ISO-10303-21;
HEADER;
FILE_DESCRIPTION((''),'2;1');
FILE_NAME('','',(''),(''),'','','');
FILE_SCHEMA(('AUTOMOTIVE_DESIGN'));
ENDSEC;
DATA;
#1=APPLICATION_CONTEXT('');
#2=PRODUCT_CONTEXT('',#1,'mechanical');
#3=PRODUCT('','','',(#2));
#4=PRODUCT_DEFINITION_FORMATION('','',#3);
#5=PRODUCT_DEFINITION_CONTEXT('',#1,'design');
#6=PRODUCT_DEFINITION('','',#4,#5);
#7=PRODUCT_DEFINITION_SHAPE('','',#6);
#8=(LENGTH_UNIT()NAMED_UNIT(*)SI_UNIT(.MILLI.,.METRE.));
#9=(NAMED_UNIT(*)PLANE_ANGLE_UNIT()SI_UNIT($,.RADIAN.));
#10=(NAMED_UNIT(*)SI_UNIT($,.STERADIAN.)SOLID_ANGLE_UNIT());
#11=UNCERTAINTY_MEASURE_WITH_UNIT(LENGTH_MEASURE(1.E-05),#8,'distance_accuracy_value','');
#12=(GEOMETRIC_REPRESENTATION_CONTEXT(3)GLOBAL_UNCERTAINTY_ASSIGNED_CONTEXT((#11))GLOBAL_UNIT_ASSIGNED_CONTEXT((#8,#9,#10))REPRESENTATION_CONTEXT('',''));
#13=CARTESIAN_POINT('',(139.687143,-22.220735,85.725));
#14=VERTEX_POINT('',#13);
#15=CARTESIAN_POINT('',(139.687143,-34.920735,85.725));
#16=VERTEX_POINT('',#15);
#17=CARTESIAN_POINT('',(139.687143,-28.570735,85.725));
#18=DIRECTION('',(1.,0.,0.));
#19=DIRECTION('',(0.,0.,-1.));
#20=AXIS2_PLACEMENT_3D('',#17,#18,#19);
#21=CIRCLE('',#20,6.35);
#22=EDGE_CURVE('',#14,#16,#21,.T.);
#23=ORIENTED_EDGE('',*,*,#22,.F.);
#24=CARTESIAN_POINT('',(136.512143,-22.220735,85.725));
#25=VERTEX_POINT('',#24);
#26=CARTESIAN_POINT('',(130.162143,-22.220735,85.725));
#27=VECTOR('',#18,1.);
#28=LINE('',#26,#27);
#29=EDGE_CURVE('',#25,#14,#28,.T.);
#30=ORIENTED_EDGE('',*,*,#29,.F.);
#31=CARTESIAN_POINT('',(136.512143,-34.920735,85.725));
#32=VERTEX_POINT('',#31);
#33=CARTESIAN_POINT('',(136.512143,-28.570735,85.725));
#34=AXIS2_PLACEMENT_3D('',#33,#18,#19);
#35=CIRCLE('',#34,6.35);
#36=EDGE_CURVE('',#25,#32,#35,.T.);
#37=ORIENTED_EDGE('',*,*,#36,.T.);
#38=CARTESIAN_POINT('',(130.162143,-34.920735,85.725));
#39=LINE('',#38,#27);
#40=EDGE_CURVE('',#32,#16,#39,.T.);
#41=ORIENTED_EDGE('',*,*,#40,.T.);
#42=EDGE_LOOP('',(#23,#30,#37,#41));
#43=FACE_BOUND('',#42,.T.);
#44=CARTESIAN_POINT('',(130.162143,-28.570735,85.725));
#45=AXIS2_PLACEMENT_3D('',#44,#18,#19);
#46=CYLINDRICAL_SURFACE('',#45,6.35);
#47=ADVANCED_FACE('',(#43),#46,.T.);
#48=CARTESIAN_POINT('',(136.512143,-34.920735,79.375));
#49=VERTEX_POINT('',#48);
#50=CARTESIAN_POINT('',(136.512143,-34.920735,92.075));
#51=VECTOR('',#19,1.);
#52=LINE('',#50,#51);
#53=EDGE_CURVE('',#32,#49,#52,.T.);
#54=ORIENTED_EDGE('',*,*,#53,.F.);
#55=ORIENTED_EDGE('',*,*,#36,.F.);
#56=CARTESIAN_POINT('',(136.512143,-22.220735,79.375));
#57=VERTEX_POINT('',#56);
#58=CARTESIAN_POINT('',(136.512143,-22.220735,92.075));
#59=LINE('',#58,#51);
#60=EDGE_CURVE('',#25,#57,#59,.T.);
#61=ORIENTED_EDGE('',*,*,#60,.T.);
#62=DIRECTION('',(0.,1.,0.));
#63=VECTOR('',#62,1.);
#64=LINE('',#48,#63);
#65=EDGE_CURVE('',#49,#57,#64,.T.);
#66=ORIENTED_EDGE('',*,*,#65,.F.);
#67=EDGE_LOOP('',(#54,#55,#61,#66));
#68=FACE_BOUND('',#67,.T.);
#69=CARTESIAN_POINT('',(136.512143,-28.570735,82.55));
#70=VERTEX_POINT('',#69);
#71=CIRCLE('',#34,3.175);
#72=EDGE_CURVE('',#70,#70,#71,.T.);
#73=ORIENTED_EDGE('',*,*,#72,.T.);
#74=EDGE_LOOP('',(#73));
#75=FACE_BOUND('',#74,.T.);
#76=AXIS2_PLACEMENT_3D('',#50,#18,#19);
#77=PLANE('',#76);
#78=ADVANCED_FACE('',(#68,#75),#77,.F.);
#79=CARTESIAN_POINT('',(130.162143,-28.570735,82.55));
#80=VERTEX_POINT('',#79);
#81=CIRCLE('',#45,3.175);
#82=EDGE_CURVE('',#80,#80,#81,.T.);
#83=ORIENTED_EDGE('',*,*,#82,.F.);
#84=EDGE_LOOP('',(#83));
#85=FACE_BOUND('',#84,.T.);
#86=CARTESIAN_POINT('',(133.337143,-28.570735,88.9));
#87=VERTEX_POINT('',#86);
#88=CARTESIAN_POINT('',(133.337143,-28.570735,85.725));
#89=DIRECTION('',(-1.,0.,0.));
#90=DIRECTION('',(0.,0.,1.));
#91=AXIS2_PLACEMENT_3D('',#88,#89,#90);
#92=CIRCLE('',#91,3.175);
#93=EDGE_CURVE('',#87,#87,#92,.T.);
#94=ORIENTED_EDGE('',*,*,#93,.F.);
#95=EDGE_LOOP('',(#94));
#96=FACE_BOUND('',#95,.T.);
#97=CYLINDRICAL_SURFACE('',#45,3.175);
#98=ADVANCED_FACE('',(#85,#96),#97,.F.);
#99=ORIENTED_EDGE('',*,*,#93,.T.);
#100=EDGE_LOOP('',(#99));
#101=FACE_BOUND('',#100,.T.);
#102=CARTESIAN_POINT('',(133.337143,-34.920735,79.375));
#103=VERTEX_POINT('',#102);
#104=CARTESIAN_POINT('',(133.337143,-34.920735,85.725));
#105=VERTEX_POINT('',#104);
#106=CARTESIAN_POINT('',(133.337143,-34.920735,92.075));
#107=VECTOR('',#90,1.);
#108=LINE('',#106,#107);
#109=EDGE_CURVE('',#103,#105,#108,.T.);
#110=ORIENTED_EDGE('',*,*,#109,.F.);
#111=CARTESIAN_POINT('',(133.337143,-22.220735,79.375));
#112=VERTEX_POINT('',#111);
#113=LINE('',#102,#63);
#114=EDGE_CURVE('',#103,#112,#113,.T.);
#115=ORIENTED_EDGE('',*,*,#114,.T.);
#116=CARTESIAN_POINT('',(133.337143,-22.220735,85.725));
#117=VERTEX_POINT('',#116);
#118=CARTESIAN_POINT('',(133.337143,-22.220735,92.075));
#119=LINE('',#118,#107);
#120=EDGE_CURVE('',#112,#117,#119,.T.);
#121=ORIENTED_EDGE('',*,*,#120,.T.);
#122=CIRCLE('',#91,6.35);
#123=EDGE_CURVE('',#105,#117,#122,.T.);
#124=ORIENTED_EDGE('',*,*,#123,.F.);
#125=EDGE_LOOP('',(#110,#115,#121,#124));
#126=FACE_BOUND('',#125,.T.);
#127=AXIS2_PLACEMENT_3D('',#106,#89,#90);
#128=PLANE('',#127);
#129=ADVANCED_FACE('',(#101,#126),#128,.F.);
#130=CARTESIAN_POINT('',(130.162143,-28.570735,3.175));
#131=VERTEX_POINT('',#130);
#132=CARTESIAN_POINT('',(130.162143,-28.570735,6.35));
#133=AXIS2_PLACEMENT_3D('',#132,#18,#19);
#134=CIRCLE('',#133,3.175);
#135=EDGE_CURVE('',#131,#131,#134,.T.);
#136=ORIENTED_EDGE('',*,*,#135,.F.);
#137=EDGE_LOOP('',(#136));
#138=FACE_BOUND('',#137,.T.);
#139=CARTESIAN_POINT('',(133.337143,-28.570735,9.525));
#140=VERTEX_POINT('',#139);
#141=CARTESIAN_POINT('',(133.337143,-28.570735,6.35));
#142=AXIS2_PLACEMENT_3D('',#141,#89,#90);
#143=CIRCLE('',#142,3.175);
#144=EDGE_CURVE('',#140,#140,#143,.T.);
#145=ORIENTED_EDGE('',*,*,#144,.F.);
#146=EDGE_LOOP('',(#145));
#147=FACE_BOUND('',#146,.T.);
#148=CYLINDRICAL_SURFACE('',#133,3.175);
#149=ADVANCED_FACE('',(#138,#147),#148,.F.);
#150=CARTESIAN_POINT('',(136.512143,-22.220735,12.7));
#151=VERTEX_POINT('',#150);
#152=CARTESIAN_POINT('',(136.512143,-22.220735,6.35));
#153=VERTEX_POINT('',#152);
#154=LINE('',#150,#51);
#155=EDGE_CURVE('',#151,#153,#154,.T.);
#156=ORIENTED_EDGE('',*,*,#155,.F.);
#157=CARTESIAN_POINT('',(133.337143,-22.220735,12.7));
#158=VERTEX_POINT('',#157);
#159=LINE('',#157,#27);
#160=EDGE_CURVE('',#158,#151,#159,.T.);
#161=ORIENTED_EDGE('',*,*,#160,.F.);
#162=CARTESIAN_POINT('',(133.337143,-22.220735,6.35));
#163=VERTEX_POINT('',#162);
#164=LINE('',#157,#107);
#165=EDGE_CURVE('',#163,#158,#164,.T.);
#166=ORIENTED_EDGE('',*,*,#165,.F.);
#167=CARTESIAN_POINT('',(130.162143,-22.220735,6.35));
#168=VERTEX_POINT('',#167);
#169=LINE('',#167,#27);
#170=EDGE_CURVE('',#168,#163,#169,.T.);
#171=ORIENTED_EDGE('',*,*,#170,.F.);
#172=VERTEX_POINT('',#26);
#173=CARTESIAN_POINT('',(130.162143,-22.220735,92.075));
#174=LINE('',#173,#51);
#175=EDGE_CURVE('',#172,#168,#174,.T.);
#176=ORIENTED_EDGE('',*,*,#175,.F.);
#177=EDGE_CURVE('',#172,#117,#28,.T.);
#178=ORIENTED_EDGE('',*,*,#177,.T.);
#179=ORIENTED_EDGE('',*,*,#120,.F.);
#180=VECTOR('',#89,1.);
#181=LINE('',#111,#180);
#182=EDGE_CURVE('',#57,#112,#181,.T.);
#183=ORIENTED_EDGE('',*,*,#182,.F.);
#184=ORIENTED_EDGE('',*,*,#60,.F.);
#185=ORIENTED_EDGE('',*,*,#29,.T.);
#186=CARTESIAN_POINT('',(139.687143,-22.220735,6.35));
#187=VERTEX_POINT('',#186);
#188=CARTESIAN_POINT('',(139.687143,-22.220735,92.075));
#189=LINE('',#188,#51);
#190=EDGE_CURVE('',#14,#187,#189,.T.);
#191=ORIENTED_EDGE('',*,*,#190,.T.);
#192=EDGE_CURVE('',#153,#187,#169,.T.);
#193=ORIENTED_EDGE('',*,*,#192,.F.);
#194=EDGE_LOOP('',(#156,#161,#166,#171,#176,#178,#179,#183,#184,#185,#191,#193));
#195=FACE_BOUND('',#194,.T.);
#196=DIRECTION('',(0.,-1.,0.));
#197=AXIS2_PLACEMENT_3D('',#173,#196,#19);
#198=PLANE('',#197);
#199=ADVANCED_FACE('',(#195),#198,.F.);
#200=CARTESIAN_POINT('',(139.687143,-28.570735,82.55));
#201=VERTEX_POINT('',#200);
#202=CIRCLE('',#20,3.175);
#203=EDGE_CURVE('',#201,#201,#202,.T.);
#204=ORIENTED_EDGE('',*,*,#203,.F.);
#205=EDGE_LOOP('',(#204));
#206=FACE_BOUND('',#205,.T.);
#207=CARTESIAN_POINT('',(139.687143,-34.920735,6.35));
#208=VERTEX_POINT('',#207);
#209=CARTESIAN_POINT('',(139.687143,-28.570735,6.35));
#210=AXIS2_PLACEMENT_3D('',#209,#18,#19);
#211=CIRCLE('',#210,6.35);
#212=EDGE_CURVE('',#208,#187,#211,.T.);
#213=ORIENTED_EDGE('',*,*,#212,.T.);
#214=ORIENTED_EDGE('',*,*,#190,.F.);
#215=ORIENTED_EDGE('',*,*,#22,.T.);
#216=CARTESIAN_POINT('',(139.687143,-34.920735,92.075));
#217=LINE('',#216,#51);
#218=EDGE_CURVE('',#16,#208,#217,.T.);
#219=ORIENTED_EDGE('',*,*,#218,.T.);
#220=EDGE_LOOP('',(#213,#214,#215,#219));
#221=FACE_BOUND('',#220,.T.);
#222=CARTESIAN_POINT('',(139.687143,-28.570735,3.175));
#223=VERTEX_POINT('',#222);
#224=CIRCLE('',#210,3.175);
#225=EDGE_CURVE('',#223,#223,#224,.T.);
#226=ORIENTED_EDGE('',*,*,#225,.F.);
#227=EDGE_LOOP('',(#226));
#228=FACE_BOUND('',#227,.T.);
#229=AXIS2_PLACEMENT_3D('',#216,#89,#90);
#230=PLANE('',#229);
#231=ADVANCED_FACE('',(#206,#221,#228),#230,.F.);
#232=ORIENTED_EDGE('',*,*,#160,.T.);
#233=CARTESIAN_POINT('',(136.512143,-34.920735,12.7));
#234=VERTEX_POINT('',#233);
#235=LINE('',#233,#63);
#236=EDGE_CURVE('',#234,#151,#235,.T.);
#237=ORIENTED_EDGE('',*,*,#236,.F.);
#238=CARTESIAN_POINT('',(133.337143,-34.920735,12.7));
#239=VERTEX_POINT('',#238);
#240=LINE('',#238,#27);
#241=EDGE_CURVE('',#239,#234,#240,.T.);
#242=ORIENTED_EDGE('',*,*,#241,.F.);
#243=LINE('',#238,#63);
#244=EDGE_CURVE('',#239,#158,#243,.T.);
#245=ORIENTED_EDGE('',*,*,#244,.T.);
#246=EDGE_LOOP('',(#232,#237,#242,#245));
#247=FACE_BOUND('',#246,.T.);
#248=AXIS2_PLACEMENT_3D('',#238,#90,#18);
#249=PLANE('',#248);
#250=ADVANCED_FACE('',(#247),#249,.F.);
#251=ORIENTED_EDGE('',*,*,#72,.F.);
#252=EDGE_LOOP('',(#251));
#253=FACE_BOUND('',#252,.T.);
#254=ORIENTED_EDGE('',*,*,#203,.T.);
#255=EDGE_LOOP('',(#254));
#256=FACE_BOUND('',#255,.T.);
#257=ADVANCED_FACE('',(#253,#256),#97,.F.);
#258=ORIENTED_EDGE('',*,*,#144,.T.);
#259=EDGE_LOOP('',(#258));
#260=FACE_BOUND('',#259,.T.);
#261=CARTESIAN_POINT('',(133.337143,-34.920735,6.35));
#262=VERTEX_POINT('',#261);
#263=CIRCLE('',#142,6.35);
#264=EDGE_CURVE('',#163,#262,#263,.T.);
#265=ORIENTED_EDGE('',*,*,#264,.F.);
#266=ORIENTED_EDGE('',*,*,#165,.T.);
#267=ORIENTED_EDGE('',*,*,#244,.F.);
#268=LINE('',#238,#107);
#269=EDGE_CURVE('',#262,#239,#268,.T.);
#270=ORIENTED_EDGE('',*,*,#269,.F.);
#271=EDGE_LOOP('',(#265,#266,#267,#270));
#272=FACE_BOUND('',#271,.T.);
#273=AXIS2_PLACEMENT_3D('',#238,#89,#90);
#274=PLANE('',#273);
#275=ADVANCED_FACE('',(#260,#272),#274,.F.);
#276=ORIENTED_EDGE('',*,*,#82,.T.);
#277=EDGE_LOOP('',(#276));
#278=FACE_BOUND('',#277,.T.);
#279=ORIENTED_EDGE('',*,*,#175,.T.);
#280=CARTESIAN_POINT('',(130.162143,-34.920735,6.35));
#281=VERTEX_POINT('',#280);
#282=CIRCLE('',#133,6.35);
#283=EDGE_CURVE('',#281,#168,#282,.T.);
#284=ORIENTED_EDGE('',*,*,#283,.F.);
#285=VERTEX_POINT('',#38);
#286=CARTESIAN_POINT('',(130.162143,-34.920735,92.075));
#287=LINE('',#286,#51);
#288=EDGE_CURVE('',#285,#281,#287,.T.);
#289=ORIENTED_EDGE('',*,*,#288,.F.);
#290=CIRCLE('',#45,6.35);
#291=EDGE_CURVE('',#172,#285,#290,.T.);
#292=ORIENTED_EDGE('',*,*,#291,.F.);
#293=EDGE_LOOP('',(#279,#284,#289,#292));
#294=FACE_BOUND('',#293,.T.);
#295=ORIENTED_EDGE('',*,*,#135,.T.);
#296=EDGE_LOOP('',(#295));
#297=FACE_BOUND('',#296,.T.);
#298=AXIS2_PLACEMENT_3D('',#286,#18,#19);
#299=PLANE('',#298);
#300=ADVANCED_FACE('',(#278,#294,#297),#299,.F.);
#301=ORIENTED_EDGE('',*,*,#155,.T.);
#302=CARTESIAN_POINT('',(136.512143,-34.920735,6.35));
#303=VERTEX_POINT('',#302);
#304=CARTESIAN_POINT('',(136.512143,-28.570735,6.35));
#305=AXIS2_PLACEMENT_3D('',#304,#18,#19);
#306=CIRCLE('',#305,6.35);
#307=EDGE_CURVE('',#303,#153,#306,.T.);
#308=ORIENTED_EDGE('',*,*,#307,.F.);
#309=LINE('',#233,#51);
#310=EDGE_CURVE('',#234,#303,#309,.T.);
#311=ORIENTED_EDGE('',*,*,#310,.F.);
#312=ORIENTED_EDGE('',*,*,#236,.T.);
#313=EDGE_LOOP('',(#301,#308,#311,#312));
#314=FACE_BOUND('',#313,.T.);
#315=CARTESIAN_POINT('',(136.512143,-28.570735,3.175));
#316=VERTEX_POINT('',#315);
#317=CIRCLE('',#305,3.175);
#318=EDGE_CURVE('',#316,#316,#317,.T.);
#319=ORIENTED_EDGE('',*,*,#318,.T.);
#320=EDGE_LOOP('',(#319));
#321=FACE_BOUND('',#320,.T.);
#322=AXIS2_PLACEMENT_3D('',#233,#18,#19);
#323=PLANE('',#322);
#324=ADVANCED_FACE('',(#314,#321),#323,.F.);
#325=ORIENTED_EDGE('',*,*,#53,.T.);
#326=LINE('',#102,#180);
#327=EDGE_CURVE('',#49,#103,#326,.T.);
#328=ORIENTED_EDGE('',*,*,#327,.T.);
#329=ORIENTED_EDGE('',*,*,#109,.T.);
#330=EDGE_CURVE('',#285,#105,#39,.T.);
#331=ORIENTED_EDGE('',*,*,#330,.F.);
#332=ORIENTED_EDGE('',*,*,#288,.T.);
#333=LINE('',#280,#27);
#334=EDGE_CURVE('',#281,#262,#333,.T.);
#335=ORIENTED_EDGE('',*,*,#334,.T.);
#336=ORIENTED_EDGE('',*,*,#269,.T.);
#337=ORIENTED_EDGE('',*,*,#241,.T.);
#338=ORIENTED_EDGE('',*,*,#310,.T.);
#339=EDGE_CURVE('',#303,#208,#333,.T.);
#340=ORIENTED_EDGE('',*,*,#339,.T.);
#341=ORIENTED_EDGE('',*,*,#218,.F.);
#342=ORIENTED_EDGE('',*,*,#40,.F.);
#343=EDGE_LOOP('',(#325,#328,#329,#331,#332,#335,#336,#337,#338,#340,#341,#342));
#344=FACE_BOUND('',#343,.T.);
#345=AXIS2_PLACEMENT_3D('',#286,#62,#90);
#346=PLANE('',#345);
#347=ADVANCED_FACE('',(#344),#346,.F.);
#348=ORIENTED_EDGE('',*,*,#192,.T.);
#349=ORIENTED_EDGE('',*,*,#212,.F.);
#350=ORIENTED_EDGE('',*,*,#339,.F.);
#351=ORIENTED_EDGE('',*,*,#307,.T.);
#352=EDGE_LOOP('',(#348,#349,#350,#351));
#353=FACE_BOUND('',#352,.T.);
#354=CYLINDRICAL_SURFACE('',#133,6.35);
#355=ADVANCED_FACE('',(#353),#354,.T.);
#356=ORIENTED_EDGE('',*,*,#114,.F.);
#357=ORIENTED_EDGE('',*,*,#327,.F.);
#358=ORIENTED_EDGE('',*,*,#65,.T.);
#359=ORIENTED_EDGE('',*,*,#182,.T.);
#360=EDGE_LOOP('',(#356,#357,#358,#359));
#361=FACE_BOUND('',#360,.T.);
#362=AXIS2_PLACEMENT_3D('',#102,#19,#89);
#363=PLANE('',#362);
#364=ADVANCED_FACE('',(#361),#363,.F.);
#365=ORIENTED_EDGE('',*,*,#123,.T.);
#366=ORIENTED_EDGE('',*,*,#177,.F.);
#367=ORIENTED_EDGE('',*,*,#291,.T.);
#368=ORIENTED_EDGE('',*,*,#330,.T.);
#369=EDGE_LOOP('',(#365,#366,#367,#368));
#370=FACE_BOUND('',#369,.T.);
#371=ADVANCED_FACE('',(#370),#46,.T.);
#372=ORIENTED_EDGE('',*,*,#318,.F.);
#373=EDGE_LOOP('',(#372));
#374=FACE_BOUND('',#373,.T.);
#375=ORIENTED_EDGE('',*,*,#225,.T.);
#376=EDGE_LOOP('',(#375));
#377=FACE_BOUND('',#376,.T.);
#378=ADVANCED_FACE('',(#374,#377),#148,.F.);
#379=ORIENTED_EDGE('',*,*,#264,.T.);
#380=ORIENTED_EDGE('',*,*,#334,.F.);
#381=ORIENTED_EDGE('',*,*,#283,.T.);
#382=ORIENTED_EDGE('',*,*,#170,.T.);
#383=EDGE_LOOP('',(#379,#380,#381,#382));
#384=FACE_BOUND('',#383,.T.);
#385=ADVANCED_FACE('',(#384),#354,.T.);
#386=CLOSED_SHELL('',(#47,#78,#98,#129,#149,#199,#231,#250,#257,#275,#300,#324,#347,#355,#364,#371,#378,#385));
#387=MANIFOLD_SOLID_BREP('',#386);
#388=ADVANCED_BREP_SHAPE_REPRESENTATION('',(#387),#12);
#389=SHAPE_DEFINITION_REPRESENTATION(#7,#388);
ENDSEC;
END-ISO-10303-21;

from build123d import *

# Parameters (mm, degrees)
SKETCH1_W           = 9.525
SKETCH1_H           = 12.7
BOSS_EXTRUDE1_DEPTH = 92.075
SKETCH2_W           = 3.175
SKETCH2_H           = 12.7
CUT_EXTRUDE1_DEPTH  = 168.784366554
SKETCH4_R           = 3.175
CUT_EXTRUDE3_DEPTH  = 99.934266019


with BuildPart() as part:
    # Sketch1 → Boss-Extrude1 (new body)
    with BuildSketch(Plane.XY):
        with Locations((134.924643413, -28.57073514)):
            Rectangle(SKETCH1_W, SKETCH1_H)
    extrude(amount=BOSS_EXTRUDE1_DEPTH)

    # Sketch2 → Cut-Extrude1 (cut, through all)
    with BuildSketch(Plane(origin=(0, -22.22073514, 0), x_dir=(1, 0, 0), z_dir=(0, 1, 0))):
        with Locations((134.924643413, -85.725)):
            Rectangle(SKETCH2_W, SKETCH2_H)
        with Locations((134.924643413, -6.35)):
            Rectangle(SKETCH2_W, SKETCH2_H)
    extrude(amount=-CUT_EXTRUDE1_DEPTH, mode=Mode.SUBTRACT)

    # Sketch4 → Cut-Extrude3 (cut, through all)
    with BuildSketch(Plane(origin=(139.687143413, 0, 0), x_dir=(0, 0, -1), z_dir=(1, 0, 0))):
        with Locations((-6.35, -28.57073514)):
            Circle(SKETCH4_R)
        with BuildLine():
            Line((0, -22.22073514), (-6.35, -22.22073514))
            ThreePointArc((-6.35, -22.22073514), (-1.859871939, -24.080607079), (0, -28.57073514))
            Line((0, -28.57073514), (0, -22.22073514))
        make_face()
        with BuildLine():
            Line((0, -34.92073514), (0, -28.57073514))
            ThreePointArc((0, -28.57073514), (-1.859871939, -33.060863201), (-6.35, -34.92073514))
            Line((-6.35, -34.92073514), (0, -34.92073514))
        make_face()
        with Locations((-85.725, -28.57073514)):
            Circle(SKETCH4_R)
        with BuildLine():
            ThreePointArc((-92.075, -28.57073514), (-90.215128061, -24.080607079), (-85.725, -22.22073514))
            Line((-85.725, -22.22073514), (-92.075, -22.22073514))
            Line((-92.075, -22.22073514), (-92.075, -28.57073514))
        make_face()
        with BuildLine():
            ThreePointArc((-85.725, -34.92073514), (-90.215128061, -33.060863201), (-92.075, -28.57073514))
            Line((-92.075, -28.57073514), (-92.075, -34.92073514))
            Line((-92.075, -34.92073514), (-85.725, -34.92073514))
        make_face()
    extrude(amount=-CUT_EXTRUDE3_DEPTH, mode=Mode.SUBTRACT)


solid = part.part
